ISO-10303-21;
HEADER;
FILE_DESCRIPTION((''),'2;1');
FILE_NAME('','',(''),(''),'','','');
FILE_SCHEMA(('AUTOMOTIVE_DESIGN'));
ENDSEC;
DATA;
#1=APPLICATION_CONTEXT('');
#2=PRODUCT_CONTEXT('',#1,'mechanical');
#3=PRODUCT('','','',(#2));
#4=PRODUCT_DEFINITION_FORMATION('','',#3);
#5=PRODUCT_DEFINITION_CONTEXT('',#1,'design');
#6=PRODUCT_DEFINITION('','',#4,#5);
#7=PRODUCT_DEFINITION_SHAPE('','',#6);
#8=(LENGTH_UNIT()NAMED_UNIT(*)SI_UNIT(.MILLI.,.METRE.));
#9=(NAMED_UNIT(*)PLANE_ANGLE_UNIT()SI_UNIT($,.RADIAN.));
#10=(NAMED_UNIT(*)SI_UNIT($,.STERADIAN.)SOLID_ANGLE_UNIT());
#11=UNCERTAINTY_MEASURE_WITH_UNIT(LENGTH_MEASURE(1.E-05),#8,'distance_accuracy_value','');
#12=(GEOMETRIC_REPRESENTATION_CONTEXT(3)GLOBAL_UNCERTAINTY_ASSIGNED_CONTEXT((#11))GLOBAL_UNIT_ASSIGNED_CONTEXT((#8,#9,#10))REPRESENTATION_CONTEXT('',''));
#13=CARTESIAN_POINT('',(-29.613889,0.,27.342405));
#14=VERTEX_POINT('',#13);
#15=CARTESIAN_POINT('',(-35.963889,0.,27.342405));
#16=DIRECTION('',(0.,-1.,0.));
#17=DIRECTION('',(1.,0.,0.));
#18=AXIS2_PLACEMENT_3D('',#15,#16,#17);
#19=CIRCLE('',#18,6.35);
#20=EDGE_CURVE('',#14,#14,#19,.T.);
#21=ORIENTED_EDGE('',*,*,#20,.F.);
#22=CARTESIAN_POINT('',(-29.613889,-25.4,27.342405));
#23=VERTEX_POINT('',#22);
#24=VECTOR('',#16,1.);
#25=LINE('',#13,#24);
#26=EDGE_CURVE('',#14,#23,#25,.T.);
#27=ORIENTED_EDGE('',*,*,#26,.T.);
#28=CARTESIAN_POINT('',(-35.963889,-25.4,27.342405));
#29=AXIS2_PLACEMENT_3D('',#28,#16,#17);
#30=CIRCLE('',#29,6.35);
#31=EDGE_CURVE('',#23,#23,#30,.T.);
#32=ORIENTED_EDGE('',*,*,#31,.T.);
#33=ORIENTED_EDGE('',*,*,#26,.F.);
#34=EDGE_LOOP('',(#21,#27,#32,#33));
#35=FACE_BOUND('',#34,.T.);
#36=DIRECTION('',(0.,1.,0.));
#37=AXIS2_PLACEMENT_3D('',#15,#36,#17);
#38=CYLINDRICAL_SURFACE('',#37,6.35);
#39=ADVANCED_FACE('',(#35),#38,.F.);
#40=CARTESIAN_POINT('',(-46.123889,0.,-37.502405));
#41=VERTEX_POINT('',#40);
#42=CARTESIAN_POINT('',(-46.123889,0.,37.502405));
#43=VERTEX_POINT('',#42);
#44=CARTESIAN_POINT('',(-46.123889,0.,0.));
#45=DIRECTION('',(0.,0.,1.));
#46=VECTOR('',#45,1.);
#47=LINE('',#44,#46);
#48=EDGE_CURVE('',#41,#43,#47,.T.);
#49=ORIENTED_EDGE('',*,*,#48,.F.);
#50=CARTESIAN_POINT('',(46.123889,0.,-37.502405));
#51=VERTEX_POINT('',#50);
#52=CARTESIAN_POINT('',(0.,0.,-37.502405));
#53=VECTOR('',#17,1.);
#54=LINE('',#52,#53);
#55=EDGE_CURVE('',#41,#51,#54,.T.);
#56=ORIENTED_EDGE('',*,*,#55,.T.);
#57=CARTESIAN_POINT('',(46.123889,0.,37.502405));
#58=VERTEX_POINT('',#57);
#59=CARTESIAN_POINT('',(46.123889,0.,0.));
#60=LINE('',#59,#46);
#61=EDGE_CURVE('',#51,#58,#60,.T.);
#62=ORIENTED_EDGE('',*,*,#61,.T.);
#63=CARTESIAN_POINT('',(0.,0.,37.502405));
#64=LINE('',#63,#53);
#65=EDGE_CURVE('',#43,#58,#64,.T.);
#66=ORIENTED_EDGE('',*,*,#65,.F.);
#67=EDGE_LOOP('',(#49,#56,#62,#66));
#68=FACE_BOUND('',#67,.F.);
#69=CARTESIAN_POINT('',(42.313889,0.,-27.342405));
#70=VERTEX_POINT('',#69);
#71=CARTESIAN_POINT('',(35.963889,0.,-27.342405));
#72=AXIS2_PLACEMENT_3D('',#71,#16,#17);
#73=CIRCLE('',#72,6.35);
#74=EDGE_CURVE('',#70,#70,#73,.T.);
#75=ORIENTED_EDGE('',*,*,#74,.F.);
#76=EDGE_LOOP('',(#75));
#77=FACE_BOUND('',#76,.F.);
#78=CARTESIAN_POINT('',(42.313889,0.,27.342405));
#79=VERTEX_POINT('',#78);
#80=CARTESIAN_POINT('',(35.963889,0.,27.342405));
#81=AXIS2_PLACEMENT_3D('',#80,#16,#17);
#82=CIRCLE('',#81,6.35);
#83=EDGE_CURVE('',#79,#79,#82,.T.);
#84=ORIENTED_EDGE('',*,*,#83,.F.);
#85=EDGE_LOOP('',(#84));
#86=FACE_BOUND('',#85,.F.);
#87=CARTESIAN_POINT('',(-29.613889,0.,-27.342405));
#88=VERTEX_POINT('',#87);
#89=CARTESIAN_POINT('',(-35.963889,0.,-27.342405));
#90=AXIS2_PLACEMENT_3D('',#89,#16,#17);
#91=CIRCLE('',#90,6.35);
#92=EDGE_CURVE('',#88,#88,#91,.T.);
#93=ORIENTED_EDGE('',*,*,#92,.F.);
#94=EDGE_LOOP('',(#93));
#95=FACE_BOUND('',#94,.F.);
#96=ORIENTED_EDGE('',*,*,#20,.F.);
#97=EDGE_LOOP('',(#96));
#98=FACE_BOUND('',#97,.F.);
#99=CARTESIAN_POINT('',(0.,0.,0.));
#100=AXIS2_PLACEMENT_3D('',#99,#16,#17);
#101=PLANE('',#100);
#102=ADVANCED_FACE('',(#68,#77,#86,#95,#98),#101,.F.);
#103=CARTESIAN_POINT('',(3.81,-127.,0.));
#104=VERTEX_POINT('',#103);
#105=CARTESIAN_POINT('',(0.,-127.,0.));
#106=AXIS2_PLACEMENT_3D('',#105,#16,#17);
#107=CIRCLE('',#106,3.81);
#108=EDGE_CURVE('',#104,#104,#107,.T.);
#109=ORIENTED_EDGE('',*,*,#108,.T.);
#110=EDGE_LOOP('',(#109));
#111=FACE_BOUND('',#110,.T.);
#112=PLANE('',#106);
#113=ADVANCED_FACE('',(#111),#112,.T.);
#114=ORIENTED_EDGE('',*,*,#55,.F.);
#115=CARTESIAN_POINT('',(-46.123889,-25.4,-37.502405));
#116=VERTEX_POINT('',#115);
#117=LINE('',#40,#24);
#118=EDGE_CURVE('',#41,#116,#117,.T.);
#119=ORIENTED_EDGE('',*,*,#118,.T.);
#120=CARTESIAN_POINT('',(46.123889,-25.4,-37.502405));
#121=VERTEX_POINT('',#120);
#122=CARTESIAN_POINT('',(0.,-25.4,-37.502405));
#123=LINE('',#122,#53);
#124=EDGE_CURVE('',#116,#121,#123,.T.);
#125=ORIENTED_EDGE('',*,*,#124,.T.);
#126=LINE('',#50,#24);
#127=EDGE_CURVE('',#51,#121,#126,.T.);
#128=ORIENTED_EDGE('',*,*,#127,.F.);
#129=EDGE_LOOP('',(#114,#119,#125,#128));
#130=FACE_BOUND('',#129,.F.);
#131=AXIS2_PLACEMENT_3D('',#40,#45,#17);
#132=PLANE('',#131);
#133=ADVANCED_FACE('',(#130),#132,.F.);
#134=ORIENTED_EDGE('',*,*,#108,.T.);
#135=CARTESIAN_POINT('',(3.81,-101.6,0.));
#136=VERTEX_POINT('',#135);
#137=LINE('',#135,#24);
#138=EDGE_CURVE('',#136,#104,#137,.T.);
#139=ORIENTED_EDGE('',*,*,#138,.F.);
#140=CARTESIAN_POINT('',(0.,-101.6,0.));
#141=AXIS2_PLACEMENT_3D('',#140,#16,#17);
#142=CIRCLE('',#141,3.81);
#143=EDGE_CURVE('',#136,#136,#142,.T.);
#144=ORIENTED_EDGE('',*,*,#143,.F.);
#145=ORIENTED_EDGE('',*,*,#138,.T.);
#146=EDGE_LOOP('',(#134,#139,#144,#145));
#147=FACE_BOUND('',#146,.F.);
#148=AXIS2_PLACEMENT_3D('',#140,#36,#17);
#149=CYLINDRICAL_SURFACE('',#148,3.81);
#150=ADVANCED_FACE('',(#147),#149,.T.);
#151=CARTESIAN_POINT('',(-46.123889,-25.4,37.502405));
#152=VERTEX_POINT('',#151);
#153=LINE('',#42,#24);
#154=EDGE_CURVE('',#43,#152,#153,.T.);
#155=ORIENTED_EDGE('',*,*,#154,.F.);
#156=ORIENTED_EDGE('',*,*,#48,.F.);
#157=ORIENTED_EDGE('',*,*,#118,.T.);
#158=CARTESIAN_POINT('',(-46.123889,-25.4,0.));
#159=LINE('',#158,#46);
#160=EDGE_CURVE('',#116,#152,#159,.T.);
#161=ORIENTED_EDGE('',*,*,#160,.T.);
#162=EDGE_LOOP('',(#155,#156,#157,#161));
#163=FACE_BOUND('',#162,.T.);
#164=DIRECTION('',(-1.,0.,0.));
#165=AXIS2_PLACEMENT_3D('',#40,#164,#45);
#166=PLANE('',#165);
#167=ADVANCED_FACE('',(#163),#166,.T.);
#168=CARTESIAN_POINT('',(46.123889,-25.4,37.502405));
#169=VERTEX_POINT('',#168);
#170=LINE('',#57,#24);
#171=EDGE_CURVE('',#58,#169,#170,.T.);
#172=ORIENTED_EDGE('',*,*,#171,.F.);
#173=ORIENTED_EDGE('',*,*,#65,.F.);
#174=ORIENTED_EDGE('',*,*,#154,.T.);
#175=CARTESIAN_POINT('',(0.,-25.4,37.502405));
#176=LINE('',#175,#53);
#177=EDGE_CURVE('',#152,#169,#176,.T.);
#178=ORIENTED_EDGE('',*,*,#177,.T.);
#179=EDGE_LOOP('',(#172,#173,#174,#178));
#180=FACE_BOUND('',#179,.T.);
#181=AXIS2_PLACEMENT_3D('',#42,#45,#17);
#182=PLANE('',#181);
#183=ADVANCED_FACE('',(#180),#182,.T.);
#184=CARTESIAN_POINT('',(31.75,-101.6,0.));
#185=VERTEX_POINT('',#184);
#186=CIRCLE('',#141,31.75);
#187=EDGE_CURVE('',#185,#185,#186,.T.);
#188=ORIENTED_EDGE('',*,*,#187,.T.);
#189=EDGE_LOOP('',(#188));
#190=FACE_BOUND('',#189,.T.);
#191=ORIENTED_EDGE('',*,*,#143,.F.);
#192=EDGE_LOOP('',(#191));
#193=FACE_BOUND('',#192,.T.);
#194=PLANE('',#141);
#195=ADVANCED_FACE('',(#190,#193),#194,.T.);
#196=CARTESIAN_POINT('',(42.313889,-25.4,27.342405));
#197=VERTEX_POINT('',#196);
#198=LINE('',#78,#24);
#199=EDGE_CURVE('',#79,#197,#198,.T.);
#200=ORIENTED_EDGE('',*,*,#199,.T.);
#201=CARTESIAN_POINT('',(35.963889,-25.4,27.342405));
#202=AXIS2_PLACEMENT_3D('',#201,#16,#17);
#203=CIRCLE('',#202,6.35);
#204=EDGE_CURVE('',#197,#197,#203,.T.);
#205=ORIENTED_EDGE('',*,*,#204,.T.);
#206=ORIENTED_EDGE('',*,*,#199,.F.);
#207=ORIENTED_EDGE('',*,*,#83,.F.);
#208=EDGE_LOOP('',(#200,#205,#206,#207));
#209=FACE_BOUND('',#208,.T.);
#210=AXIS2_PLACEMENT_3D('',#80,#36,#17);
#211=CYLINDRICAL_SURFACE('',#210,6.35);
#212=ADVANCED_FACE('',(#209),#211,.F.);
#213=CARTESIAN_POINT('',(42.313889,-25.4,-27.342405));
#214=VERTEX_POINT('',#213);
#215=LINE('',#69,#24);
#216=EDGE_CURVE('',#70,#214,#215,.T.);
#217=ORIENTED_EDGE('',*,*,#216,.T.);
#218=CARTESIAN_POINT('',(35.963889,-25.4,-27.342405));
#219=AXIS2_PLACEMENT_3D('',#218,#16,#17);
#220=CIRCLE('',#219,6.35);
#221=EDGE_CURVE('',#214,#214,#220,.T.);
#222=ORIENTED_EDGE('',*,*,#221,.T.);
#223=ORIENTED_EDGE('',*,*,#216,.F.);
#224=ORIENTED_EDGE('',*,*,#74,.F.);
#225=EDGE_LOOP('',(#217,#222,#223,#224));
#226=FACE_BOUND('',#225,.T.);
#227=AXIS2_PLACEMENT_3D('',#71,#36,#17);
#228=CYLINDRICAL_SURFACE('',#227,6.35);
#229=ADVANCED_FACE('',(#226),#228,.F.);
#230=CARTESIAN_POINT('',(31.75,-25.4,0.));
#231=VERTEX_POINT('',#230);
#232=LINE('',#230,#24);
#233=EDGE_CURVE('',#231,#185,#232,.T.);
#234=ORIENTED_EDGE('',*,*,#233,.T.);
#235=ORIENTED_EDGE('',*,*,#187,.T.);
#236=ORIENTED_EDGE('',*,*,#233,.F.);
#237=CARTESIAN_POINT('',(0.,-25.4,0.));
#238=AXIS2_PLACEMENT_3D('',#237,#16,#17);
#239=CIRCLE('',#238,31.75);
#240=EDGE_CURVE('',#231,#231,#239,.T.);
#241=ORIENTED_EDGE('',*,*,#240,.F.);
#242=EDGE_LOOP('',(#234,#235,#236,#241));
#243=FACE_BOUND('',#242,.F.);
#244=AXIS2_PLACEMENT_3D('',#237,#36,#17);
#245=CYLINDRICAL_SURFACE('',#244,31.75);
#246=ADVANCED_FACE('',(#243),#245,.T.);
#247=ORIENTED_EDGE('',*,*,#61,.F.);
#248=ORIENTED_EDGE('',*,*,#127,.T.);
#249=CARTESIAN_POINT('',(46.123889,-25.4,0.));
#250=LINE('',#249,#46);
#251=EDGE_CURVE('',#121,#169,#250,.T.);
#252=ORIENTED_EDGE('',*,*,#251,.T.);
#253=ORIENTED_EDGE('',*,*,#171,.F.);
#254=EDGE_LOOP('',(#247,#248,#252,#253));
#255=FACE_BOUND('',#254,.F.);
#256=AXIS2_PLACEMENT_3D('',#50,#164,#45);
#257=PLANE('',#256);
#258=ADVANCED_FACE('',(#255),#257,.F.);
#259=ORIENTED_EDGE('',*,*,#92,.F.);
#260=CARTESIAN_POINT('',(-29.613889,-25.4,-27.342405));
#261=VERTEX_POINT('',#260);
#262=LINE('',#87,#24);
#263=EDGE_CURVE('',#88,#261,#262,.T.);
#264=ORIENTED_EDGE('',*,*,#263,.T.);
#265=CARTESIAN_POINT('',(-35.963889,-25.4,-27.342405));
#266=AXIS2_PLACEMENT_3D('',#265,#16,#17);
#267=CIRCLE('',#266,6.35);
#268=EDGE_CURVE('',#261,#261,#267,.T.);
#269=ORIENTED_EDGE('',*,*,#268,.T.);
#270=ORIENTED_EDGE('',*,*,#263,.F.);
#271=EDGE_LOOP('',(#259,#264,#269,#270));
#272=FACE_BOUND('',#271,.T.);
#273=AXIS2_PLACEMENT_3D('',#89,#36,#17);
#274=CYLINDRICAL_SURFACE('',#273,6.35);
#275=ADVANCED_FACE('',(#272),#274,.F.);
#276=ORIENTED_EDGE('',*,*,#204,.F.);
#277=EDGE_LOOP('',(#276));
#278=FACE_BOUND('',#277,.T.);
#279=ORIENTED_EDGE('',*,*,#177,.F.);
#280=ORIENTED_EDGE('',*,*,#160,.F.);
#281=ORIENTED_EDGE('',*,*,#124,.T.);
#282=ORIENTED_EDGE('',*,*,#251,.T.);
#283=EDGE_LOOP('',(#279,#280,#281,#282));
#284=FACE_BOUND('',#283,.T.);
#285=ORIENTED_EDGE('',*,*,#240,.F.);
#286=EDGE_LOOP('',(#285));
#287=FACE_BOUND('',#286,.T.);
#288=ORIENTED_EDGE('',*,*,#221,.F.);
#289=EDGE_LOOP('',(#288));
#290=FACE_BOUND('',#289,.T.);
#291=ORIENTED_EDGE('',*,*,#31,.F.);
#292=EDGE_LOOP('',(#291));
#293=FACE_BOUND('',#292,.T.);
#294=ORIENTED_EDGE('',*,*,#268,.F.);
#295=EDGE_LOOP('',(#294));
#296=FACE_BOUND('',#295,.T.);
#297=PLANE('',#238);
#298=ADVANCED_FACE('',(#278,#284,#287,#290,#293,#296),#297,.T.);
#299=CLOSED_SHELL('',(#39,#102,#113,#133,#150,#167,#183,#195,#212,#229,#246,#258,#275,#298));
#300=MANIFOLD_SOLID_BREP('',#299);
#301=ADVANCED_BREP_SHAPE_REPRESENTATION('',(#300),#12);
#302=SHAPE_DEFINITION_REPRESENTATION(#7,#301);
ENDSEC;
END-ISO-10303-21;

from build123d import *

# Parameters (mm, degrees)
F0_W     = 92.247778
F0_H     = 75.00481
F0_R     = 6.35
F1_DEPTH = 25.4
F2_R     = 31.75
F3_DEPTH = 76.2
F4_R     = 3.81
F5_DEPTH = 25.4


with BuildPart() as f1:
    # F0 (on Front) → F1 (new body)
    with BuildSketch(Plane.XZ):
        Rectangle(F0_W, F0_H)
        with Locations((-35.963889, -27.342405)):
            Circle(F0_R, mode=Mode.SUBTRACT)
        with Locations((35.963889, -27.342405)):
            Circle(F0_R, mode=Mode.SUBTRACT)
        with Locations((-35.963889, 27.342405)):
            Circle(F0_R, mode=Mode.SUBTRACT)
        with Locations((35.963889, 27.342405)):
            Circle(F0_R, mode=Mode.SUBTRACT)
    extrude(amount=F1_DEPTH)

    # F2 (on face) → F3 (join)
    with BuildSketch(Plane.XZ.offset(25.4)):
        Circle(F2_R)
    extrude(amount=F3_DEPTH)

    # F4 (on face) → F5 (join)
    with BuildSketch(Plane.XZ.offset(101.6)):
        Circle(F4_R)
    extrude(amount=F5_DEPTH)


solid = f1.part
